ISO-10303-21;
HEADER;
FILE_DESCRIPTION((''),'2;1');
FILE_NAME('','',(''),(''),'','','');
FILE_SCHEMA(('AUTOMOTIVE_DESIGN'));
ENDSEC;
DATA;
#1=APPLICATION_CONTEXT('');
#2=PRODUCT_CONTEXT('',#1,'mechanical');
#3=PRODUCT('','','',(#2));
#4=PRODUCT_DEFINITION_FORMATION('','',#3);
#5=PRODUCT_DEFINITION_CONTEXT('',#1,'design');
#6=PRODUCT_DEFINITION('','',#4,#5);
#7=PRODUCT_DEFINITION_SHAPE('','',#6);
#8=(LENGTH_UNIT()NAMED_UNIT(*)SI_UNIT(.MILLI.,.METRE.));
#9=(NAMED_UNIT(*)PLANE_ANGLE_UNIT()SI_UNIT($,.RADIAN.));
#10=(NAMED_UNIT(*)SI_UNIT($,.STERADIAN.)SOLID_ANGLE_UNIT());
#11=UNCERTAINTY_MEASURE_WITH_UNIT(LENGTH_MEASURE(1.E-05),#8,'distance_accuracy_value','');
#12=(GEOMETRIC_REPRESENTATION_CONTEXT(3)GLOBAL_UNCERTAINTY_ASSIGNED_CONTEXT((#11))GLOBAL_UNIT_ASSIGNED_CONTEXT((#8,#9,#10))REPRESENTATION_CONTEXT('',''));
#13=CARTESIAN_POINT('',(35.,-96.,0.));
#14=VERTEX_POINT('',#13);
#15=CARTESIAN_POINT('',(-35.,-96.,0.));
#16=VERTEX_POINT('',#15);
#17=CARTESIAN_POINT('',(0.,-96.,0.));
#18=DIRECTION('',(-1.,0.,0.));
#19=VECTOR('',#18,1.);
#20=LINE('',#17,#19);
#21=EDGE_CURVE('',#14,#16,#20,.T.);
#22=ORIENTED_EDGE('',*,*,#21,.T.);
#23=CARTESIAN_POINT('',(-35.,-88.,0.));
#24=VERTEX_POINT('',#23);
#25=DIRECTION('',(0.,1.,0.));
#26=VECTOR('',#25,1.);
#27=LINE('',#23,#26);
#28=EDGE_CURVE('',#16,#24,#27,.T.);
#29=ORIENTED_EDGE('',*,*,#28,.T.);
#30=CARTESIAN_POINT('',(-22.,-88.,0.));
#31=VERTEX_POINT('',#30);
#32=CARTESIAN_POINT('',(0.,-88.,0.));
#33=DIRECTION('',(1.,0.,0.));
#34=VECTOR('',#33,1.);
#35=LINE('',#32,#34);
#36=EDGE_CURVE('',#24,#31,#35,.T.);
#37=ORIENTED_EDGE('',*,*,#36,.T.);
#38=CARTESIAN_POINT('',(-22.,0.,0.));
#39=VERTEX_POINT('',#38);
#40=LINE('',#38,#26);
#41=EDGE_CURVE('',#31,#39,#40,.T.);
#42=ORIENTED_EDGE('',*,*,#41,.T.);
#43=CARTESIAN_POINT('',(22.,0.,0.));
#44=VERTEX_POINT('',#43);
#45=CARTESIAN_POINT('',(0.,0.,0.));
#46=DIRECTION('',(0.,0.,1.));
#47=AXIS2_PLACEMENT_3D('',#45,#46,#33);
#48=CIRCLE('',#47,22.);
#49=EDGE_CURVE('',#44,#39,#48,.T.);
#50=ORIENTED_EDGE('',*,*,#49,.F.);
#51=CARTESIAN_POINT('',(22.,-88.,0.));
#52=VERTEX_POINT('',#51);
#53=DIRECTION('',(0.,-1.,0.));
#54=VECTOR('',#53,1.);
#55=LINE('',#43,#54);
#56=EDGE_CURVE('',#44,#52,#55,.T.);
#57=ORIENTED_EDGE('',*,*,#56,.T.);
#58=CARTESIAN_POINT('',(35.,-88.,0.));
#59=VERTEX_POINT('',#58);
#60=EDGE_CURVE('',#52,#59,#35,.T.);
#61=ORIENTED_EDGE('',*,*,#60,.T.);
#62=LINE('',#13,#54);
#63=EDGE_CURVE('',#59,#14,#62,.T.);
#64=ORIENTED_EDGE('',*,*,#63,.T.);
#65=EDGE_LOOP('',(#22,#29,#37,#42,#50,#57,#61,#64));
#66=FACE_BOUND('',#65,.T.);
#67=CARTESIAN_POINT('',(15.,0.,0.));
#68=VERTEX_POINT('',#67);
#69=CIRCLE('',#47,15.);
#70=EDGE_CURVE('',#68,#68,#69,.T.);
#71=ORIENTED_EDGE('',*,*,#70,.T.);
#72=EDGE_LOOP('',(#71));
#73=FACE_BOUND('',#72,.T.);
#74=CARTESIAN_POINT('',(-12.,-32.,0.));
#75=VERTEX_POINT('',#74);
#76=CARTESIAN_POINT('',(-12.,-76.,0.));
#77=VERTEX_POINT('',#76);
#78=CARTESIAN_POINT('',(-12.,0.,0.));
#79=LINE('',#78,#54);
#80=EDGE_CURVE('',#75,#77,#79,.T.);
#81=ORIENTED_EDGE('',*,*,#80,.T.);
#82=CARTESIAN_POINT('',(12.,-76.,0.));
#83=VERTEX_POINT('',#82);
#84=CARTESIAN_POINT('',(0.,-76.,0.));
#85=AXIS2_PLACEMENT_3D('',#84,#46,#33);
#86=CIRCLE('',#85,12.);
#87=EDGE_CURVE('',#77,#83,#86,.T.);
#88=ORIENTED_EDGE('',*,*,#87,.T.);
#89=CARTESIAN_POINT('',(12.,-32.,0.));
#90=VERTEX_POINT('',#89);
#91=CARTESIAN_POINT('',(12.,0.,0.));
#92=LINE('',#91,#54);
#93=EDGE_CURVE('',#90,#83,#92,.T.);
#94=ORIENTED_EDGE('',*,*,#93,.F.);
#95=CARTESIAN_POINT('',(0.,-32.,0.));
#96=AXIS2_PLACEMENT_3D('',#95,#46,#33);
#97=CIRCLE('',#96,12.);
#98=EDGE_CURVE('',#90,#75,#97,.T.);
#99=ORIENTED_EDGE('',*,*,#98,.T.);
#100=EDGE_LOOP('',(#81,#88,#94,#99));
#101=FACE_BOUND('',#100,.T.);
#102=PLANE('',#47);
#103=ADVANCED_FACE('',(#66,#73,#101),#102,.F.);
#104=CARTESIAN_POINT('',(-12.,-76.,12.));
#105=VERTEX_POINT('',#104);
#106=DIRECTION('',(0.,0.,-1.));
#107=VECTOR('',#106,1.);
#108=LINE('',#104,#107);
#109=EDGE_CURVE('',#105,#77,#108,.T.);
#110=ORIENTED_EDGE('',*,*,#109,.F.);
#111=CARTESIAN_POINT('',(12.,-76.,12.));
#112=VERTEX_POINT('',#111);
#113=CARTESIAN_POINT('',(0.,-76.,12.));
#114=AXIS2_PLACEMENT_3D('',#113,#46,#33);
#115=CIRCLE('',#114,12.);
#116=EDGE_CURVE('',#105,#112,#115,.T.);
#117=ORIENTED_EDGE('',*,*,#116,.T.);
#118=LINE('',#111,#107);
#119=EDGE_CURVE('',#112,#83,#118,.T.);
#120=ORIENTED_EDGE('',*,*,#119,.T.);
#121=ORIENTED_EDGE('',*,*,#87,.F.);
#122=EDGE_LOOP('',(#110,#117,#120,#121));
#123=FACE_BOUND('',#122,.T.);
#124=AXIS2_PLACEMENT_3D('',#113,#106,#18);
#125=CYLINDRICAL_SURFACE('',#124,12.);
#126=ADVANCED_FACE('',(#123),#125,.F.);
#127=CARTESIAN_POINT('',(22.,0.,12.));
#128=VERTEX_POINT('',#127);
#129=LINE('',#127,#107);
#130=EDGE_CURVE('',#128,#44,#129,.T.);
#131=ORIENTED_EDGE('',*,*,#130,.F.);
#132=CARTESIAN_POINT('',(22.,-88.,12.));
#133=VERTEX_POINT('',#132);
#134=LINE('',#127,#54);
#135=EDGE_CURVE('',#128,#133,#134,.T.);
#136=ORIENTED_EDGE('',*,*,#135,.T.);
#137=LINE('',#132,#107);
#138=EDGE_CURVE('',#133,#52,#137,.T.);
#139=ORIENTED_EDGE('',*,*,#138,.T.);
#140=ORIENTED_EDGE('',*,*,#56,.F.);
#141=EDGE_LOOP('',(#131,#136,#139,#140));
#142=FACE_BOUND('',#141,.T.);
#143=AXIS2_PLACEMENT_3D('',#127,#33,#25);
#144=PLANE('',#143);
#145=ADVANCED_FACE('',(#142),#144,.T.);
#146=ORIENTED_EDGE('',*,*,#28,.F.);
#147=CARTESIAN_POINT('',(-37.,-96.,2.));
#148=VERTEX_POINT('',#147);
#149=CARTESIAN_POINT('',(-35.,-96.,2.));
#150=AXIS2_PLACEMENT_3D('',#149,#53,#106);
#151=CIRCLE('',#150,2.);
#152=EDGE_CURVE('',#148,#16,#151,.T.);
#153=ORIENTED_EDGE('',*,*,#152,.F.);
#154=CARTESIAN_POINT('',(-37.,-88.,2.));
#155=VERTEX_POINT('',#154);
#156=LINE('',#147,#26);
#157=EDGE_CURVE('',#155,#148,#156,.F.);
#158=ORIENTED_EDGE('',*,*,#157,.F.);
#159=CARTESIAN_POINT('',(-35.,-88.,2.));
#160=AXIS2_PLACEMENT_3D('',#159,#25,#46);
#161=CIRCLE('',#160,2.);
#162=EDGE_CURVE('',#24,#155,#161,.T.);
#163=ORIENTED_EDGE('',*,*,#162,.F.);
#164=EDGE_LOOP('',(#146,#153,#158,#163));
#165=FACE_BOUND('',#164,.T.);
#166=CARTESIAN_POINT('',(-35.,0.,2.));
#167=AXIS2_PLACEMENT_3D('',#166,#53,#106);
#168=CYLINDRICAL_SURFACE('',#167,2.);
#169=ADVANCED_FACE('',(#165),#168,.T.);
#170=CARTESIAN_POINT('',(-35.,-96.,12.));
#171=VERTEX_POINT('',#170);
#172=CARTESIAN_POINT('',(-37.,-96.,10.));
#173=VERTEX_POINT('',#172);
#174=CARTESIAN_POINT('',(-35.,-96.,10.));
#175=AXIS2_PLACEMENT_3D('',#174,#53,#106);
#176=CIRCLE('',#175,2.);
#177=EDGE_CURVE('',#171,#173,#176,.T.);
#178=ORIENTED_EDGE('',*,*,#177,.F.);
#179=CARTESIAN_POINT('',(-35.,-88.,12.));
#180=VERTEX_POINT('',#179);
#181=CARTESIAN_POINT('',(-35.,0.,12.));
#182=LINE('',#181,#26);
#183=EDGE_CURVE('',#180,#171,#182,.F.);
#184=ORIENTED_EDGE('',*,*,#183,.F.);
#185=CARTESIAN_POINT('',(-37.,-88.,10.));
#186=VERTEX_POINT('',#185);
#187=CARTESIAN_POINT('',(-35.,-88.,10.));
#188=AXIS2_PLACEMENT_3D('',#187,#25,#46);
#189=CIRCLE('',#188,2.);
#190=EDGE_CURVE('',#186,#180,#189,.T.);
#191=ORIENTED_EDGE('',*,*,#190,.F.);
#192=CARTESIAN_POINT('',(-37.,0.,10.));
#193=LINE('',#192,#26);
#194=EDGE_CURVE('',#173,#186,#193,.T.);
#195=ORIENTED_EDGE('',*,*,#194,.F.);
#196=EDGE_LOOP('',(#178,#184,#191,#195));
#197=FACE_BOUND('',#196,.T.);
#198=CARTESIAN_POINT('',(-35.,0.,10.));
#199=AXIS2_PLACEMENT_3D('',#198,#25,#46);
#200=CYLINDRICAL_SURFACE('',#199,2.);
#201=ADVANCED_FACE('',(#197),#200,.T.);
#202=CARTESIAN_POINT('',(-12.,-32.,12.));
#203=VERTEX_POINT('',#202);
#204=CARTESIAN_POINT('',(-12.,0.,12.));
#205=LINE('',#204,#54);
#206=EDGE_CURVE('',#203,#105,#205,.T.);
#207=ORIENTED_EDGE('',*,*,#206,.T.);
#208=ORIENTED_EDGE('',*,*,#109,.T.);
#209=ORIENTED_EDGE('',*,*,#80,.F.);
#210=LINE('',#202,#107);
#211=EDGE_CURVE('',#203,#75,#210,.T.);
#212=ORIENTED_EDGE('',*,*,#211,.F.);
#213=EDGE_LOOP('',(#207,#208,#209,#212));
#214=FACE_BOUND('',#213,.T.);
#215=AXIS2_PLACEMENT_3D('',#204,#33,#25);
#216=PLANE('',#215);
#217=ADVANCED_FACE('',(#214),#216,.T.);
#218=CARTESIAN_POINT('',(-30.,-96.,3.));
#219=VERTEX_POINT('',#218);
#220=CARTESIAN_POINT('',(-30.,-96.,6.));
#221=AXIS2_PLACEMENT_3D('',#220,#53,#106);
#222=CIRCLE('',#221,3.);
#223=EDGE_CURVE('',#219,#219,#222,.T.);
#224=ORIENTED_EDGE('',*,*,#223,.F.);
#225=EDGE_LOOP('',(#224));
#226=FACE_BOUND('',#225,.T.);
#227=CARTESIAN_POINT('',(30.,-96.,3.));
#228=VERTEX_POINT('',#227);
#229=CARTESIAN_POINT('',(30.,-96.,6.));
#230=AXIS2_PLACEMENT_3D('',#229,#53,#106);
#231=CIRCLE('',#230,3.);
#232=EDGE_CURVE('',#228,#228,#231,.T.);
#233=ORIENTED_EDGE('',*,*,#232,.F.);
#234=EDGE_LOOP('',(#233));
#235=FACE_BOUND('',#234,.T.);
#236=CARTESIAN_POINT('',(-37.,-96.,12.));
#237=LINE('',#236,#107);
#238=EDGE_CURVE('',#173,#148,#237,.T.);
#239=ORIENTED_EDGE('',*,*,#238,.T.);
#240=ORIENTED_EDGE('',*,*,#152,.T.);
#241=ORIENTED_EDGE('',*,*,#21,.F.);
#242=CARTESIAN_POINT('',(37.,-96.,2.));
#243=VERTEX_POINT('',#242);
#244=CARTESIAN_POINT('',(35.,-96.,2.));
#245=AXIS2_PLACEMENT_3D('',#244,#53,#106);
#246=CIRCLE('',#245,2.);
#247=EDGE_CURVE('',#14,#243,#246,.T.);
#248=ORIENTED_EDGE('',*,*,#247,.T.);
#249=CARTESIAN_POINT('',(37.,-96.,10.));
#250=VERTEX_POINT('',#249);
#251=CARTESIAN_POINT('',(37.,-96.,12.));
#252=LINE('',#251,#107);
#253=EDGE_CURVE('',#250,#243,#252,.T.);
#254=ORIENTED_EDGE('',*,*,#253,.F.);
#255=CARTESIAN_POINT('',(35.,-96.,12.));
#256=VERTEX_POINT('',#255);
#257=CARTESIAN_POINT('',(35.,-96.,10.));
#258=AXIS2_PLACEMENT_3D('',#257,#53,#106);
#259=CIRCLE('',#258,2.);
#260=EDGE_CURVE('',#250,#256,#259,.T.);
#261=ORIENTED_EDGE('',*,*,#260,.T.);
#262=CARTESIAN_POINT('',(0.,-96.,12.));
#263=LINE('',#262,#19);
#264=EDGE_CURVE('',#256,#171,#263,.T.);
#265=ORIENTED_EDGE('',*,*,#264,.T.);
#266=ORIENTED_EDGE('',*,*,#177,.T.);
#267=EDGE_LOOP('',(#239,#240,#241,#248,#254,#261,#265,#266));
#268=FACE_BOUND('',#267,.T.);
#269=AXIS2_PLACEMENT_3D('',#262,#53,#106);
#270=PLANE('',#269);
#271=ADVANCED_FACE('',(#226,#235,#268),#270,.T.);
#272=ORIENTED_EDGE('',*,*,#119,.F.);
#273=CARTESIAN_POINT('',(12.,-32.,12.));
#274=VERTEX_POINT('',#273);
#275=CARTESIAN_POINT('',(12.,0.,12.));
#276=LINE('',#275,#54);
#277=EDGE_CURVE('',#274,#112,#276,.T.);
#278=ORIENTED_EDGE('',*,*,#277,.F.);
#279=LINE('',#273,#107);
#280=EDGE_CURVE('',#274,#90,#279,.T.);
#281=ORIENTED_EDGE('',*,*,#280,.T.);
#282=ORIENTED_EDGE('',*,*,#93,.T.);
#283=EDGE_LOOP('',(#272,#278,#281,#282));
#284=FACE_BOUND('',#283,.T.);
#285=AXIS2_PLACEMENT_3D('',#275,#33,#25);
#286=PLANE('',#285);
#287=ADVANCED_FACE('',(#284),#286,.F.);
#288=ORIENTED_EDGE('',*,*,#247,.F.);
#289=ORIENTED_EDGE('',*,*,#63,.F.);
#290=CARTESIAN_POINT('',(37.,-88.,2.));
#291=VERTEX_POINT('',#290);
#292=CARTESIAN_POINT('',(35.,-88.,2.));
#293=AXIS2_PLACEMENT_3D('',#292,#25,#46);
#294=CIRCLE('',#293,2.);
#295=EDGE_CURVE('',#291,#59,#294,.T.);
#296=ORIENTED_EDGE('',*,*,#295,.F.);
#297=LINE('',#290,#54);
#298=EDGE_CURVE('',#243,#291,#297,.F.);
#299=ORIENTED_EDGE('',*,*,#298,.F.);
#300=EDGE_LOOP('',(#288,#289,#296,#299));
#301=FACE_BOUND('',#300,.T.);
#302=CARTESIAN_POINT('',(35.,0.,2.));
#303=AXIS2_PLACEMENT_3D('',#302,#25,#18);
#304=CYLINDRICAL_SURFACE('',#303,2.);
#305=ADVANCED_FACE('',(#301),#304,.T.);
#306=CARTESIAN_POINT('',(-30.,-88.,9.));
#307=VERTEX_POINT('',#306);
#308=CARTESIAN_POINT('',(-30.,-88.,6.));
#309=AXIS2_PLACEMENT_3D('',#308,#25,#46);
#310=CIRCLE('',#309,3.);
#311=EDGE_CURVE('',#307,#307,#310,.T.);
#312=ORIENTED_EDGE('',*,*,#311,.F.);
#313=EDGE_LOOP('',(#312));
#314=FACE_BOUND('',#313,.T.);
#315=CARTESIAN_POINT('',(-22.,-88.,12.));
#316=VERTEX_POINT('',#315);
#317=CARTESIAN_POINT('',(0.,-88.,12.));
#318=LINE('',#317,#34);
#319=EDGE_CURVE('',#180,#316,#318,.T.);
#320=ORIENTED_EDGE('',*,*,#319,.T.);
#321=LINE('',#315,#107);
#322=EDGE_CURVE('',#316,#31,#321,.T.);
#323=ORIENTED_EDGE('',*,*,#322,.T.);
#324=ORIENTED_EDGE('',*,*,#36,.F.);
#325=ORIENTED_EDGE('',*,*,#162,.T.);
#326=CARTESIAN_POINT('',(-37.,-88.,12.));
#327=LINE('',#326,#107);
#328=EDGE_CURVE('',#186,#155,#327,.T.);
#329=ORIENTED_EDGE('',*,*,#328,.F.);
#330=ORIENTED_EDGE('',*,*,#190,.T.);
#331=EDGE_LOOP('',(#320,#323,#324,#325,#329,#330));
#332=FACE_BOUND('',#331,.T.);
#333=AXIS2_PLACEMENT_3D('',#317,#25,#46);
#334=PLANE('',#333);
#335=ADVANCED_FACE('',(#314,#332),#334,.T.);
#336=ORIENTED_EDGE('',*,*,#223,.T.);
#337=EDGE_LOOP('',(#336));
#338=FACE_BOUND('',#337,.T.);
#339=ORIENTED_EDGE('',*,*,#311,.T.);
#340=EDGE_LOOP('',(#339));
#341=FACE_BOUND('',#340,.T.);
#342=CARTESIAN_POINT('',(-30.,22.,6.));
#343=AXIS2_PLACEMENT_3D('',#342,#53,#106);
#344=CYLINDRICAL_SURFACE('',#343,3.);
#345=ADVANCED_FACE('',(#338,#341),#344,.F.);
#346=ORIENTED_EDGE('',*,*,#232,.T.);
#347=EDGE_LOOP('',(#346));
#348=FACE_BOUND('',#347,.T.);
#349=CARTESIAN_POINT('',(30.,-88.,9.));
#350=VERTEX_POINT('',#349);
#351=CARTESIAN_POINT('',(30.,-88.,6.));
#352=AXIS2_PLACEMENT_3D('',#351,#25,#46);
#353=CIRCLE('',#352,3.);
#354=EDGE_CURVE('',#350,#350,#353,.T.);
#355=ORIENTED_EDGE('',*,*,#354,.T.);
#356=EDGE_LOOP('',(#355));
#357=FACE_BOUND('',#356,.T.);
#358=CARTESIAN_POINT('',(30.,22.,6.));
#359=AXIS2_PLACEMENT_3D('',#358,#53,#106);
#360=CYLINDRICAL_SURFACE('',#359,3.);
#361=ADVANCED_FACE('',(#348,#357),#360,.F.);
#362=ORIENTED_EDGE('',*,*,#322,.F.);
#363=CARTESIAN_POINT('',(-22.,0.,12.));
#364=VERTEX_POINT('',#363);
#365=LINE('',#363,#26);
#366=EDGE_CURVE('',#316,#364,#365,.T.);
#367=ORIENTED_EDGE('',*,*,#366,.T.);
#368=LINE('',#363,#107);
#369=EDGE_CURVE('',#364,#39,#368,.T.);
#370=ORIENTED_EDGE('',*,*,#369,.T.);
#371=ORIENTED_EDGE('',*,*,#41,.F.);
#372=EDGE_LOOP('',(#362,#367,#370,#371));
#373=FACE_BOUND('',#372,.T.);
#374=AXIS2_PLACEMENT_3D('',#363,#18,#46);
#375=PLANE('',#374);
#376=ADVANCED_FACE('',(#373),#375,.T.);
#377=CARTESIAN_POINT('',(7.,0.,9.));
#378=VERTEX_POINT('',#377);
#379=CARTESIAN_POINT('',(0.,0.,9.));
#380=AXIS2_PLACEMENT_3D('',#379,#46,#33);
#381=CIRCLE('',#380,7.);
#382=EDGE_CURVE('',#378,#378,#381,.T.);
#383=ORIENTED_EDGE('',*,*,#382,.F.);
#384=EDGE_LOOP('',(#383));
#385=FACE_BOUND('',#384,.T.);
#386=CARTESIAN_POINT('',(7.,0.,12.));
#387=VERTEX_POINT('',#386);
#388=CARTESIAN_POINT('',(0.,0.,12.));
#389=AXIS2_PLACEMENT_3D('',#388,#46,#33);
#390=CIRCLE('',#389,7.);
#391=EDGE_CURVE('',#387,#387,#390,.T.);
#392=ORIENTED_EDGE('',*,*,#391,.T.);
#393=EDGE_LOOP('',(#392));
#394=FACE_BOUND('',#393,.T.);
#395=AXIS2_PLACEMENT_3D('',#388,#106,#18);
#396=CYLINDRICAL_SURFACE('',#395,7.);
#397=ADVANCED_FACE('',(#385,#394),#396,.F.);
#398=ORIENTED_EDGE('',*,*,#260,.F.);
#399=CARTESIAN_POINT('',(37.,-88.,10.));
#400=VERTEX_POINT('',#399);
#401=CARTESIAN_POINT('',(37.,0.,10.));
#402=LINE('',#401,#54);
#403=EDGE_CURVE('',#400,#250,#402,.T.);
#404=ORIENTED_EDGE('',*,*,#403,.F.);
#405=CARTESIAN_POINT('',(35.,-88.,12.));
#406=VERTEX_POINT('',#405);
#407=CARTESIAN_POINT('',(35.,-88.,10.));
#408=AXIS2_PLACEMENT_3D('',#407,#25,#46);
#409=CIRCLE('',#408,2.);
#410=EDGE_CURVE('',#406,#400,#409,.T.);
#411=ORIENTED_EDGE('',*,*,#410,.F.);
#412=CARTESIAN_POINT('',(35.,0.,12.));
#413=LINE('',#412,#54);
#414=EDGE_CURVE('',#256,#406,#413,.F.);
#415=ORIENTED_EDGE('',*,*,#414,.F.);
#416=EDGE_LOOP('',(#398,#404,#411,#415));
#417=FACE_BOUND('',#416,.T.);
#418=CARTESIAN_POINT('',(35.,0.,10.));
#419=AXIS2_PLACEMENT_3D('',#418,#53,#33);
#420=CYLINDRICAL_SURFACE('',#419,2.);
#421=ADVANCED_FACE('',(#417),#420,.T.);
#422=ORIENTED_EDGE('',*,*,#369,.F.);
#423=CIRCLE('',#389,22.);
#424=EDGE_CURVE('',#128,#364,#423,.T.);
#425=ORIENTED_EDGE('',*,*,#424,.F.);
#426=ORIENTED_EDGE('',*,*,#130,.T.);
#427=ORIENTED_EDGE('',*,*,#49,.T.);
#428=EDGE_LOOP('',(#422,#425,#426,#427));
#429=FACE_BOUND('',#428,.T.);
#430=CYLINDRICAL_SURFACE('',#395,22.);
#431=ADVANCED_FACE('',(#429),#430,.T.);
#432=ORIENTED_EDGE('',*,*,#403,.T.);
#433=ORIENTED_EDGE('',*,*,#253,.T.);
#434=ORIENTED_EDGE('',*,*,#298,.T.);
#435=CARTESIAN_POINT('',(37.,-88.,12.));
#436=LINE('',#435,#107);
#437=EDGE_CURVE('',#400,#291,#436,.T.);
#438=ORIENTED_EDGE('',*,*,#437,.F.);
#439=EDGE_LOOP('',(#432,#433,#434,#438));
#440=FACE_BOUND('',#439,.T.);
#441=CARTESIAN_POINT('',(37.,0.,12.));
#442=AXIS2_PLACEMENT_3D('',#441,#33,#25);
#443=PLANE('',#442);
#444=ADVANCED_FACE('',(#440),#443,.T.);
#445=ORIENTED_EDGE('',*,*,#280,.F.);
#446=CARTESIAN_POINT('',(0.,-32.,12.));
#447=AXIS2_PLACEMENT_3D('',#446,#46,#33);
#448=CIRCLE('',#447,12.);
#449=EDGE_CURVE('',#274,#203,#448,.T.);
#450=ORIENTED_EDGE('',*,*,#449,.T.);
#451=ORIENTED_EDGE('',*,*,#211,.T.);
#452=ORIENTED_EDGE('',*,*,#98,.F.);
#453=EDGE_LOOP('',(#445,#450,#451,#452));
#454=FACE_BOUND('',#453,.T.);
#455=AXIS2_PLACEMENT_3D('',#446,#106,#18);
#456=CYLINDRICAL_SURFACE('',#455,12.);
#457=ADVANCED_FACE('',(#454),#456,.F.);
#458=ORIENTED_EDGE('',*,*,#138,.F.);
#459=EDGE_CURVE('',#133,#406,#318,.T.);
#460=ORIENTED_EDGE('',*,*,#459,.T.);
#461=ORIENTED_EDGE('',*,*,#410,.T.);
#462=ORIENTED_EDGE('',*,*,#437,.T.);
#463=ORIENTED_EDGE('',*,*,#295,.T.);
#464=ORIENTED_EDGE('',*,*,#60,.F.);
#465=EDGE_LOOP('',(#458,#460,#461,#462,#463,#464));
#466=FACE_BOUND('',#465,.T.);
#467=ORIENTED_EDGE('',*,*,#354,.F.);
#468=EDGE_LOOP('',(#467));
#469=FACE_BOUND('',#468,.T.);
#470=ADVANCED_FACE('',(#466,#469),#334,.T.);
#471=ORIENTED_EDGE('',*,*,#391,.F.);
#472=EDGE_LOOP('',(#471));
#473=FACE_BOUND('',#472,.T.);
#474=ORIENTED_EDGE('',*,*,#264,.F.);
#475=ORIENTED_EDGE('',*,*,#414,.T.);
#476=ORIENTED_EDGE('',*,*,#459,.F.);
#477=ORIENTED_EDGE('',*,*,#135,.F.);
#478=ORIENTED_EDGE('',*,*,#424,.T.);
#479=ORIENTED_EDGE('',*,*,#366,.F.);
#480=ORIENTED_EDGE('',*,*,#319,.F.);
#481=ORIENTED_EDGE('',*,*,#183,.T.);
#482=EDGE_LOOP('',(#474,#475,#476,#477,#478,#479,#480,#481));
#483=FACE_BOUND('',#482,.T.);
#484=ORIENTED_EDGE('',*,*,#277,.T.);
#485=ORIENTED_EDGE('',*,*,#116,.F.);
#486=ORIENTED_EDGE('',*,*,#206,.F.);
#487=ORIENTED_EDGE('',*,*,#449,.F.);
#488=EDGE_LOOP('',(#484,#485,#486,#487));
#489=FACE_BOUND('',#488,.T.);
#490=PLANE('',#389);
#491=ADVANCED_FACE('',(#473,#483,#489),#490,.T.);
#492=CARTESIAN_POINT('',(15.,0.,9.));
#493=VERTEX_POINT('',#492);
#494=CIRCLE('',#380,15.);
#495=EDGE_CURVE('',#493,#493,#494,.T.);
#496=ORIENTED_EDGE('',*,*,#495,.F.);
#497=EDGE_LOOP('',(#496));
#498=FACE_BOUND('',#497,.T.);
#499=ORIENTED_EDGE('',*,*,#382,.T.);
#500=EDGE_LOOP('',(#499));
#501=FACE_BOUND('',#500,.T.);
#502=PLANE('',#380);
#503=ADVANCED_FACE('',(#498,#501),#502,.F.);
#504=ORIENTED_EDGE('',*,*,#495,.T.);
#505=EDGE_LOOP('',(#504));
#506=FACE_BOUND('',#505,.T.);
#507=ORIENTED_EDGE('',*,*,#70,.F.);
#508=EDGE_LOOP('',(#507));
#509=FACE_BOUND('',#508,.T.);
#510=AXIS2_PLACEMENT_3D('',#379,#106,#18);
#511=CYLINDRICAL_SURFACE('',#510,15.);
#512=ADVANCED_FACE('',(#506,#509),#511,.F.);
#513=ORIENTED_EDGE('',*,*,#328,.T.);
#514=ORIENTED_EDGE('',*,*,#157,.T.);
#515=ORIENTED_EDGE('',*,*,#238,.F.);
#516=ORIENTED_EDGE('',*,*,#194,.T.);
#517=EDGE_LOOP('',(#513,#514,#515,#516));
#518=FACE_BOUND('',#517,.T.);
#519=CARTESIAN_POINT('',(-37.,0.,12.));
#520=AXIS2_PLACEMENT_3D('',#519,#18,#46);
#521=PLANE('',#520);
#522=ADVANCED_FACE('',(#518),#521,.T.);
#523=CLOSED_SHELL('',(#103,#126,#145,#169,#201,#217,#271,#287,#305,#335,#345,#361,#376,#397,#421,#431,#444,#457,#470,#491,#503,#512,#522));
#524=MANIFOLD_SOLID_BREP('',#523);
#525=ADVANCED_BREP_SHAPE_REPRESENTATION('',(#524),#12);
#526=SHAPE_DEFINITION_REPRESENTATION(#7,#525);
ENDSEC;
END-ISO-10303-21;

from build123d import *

# Parameters (mm, degrees)
SKETCH1_R           = 7
BOSS_EXTRUDE2_DEPTH = 12
SKETCH3_R           = 3
CUT_EXTRUDE1_DEPTH  = 125.245724273
SKETCH1_4_R         = 15
SKETCH1_4_R_2       = 7
CUT_EXTRUDE2_DEPTH  = 9
FILLET1_R           = 2


with BuildPart() as part:
    # Sketch1 → Boss-Extrude2 (new body)
    with BuildSketch(Plane.XY):
        with BuildLine():
            Line((22, -88), (22, 0))
            ThreePointArc((22, 0), (0, 22), (-22, 0))
            Line((-22, 0), (-22, -88))
            Line((-22, -88), (-37, -88))
            Line((-37, -88), (-37, -96))
            Line((-37, -96), (37, -96))
            Line((37, -96), (37, -88))
            Line((37, -88), (22, -88))
        make_face()
        with BuildLine():
            ThreePointArc((-12, -32), (0, -20), (12, -32))
            Line((12, -32), (12, -76))
            ThreePointArc((12, -76), (0, -88), (-12, -76))
            Line((-12, -76), (-12, -32))
        make_face(mode=Mode.SUBTRACT)
        Circle(SKETCH1_R, mode=Mode.SUBTRACT)
    extrude(amount=BOSS_EXTRUDE2_DEPTH)

    # Sketch3 → Cut-Extrude1 (cut, through all)
    with BuildSketch(Plane.XZ.offset(96)):
        with Locations((-30, 6)):
            Circle(SKETCH3_R)
        with Locations((30, 6)):
            Circle(SKETCH3_R)
    extrude(amount=-CUT_EXTRUDE1_DEPTH, mode=Mode.SUBTRACT)

    # Sketch1<4> → Cut-Extrude2 (cut)
    with BuildSketch(Plane.XY):
        Circle(SKETCH1_4_R)
        Circle(SKETCH1_4_R_2, mode=Mode.SUBTRACT)
    extrude(amount=CUT_EXTRUDE2_DEPTH, mode=Mode.SUBTRACT)

    # Fillet1
    fillet1_edges = [part.edges().sort_by_distance(p)[0] for p in [
        (-37, -92, 0),
        (-37, -92, 12),
        (37, -92, 0),
        (37, -92, 12),
    ]]
    fillet(fillet1_edges, radius=FILLET1_R)


solid = part.part
